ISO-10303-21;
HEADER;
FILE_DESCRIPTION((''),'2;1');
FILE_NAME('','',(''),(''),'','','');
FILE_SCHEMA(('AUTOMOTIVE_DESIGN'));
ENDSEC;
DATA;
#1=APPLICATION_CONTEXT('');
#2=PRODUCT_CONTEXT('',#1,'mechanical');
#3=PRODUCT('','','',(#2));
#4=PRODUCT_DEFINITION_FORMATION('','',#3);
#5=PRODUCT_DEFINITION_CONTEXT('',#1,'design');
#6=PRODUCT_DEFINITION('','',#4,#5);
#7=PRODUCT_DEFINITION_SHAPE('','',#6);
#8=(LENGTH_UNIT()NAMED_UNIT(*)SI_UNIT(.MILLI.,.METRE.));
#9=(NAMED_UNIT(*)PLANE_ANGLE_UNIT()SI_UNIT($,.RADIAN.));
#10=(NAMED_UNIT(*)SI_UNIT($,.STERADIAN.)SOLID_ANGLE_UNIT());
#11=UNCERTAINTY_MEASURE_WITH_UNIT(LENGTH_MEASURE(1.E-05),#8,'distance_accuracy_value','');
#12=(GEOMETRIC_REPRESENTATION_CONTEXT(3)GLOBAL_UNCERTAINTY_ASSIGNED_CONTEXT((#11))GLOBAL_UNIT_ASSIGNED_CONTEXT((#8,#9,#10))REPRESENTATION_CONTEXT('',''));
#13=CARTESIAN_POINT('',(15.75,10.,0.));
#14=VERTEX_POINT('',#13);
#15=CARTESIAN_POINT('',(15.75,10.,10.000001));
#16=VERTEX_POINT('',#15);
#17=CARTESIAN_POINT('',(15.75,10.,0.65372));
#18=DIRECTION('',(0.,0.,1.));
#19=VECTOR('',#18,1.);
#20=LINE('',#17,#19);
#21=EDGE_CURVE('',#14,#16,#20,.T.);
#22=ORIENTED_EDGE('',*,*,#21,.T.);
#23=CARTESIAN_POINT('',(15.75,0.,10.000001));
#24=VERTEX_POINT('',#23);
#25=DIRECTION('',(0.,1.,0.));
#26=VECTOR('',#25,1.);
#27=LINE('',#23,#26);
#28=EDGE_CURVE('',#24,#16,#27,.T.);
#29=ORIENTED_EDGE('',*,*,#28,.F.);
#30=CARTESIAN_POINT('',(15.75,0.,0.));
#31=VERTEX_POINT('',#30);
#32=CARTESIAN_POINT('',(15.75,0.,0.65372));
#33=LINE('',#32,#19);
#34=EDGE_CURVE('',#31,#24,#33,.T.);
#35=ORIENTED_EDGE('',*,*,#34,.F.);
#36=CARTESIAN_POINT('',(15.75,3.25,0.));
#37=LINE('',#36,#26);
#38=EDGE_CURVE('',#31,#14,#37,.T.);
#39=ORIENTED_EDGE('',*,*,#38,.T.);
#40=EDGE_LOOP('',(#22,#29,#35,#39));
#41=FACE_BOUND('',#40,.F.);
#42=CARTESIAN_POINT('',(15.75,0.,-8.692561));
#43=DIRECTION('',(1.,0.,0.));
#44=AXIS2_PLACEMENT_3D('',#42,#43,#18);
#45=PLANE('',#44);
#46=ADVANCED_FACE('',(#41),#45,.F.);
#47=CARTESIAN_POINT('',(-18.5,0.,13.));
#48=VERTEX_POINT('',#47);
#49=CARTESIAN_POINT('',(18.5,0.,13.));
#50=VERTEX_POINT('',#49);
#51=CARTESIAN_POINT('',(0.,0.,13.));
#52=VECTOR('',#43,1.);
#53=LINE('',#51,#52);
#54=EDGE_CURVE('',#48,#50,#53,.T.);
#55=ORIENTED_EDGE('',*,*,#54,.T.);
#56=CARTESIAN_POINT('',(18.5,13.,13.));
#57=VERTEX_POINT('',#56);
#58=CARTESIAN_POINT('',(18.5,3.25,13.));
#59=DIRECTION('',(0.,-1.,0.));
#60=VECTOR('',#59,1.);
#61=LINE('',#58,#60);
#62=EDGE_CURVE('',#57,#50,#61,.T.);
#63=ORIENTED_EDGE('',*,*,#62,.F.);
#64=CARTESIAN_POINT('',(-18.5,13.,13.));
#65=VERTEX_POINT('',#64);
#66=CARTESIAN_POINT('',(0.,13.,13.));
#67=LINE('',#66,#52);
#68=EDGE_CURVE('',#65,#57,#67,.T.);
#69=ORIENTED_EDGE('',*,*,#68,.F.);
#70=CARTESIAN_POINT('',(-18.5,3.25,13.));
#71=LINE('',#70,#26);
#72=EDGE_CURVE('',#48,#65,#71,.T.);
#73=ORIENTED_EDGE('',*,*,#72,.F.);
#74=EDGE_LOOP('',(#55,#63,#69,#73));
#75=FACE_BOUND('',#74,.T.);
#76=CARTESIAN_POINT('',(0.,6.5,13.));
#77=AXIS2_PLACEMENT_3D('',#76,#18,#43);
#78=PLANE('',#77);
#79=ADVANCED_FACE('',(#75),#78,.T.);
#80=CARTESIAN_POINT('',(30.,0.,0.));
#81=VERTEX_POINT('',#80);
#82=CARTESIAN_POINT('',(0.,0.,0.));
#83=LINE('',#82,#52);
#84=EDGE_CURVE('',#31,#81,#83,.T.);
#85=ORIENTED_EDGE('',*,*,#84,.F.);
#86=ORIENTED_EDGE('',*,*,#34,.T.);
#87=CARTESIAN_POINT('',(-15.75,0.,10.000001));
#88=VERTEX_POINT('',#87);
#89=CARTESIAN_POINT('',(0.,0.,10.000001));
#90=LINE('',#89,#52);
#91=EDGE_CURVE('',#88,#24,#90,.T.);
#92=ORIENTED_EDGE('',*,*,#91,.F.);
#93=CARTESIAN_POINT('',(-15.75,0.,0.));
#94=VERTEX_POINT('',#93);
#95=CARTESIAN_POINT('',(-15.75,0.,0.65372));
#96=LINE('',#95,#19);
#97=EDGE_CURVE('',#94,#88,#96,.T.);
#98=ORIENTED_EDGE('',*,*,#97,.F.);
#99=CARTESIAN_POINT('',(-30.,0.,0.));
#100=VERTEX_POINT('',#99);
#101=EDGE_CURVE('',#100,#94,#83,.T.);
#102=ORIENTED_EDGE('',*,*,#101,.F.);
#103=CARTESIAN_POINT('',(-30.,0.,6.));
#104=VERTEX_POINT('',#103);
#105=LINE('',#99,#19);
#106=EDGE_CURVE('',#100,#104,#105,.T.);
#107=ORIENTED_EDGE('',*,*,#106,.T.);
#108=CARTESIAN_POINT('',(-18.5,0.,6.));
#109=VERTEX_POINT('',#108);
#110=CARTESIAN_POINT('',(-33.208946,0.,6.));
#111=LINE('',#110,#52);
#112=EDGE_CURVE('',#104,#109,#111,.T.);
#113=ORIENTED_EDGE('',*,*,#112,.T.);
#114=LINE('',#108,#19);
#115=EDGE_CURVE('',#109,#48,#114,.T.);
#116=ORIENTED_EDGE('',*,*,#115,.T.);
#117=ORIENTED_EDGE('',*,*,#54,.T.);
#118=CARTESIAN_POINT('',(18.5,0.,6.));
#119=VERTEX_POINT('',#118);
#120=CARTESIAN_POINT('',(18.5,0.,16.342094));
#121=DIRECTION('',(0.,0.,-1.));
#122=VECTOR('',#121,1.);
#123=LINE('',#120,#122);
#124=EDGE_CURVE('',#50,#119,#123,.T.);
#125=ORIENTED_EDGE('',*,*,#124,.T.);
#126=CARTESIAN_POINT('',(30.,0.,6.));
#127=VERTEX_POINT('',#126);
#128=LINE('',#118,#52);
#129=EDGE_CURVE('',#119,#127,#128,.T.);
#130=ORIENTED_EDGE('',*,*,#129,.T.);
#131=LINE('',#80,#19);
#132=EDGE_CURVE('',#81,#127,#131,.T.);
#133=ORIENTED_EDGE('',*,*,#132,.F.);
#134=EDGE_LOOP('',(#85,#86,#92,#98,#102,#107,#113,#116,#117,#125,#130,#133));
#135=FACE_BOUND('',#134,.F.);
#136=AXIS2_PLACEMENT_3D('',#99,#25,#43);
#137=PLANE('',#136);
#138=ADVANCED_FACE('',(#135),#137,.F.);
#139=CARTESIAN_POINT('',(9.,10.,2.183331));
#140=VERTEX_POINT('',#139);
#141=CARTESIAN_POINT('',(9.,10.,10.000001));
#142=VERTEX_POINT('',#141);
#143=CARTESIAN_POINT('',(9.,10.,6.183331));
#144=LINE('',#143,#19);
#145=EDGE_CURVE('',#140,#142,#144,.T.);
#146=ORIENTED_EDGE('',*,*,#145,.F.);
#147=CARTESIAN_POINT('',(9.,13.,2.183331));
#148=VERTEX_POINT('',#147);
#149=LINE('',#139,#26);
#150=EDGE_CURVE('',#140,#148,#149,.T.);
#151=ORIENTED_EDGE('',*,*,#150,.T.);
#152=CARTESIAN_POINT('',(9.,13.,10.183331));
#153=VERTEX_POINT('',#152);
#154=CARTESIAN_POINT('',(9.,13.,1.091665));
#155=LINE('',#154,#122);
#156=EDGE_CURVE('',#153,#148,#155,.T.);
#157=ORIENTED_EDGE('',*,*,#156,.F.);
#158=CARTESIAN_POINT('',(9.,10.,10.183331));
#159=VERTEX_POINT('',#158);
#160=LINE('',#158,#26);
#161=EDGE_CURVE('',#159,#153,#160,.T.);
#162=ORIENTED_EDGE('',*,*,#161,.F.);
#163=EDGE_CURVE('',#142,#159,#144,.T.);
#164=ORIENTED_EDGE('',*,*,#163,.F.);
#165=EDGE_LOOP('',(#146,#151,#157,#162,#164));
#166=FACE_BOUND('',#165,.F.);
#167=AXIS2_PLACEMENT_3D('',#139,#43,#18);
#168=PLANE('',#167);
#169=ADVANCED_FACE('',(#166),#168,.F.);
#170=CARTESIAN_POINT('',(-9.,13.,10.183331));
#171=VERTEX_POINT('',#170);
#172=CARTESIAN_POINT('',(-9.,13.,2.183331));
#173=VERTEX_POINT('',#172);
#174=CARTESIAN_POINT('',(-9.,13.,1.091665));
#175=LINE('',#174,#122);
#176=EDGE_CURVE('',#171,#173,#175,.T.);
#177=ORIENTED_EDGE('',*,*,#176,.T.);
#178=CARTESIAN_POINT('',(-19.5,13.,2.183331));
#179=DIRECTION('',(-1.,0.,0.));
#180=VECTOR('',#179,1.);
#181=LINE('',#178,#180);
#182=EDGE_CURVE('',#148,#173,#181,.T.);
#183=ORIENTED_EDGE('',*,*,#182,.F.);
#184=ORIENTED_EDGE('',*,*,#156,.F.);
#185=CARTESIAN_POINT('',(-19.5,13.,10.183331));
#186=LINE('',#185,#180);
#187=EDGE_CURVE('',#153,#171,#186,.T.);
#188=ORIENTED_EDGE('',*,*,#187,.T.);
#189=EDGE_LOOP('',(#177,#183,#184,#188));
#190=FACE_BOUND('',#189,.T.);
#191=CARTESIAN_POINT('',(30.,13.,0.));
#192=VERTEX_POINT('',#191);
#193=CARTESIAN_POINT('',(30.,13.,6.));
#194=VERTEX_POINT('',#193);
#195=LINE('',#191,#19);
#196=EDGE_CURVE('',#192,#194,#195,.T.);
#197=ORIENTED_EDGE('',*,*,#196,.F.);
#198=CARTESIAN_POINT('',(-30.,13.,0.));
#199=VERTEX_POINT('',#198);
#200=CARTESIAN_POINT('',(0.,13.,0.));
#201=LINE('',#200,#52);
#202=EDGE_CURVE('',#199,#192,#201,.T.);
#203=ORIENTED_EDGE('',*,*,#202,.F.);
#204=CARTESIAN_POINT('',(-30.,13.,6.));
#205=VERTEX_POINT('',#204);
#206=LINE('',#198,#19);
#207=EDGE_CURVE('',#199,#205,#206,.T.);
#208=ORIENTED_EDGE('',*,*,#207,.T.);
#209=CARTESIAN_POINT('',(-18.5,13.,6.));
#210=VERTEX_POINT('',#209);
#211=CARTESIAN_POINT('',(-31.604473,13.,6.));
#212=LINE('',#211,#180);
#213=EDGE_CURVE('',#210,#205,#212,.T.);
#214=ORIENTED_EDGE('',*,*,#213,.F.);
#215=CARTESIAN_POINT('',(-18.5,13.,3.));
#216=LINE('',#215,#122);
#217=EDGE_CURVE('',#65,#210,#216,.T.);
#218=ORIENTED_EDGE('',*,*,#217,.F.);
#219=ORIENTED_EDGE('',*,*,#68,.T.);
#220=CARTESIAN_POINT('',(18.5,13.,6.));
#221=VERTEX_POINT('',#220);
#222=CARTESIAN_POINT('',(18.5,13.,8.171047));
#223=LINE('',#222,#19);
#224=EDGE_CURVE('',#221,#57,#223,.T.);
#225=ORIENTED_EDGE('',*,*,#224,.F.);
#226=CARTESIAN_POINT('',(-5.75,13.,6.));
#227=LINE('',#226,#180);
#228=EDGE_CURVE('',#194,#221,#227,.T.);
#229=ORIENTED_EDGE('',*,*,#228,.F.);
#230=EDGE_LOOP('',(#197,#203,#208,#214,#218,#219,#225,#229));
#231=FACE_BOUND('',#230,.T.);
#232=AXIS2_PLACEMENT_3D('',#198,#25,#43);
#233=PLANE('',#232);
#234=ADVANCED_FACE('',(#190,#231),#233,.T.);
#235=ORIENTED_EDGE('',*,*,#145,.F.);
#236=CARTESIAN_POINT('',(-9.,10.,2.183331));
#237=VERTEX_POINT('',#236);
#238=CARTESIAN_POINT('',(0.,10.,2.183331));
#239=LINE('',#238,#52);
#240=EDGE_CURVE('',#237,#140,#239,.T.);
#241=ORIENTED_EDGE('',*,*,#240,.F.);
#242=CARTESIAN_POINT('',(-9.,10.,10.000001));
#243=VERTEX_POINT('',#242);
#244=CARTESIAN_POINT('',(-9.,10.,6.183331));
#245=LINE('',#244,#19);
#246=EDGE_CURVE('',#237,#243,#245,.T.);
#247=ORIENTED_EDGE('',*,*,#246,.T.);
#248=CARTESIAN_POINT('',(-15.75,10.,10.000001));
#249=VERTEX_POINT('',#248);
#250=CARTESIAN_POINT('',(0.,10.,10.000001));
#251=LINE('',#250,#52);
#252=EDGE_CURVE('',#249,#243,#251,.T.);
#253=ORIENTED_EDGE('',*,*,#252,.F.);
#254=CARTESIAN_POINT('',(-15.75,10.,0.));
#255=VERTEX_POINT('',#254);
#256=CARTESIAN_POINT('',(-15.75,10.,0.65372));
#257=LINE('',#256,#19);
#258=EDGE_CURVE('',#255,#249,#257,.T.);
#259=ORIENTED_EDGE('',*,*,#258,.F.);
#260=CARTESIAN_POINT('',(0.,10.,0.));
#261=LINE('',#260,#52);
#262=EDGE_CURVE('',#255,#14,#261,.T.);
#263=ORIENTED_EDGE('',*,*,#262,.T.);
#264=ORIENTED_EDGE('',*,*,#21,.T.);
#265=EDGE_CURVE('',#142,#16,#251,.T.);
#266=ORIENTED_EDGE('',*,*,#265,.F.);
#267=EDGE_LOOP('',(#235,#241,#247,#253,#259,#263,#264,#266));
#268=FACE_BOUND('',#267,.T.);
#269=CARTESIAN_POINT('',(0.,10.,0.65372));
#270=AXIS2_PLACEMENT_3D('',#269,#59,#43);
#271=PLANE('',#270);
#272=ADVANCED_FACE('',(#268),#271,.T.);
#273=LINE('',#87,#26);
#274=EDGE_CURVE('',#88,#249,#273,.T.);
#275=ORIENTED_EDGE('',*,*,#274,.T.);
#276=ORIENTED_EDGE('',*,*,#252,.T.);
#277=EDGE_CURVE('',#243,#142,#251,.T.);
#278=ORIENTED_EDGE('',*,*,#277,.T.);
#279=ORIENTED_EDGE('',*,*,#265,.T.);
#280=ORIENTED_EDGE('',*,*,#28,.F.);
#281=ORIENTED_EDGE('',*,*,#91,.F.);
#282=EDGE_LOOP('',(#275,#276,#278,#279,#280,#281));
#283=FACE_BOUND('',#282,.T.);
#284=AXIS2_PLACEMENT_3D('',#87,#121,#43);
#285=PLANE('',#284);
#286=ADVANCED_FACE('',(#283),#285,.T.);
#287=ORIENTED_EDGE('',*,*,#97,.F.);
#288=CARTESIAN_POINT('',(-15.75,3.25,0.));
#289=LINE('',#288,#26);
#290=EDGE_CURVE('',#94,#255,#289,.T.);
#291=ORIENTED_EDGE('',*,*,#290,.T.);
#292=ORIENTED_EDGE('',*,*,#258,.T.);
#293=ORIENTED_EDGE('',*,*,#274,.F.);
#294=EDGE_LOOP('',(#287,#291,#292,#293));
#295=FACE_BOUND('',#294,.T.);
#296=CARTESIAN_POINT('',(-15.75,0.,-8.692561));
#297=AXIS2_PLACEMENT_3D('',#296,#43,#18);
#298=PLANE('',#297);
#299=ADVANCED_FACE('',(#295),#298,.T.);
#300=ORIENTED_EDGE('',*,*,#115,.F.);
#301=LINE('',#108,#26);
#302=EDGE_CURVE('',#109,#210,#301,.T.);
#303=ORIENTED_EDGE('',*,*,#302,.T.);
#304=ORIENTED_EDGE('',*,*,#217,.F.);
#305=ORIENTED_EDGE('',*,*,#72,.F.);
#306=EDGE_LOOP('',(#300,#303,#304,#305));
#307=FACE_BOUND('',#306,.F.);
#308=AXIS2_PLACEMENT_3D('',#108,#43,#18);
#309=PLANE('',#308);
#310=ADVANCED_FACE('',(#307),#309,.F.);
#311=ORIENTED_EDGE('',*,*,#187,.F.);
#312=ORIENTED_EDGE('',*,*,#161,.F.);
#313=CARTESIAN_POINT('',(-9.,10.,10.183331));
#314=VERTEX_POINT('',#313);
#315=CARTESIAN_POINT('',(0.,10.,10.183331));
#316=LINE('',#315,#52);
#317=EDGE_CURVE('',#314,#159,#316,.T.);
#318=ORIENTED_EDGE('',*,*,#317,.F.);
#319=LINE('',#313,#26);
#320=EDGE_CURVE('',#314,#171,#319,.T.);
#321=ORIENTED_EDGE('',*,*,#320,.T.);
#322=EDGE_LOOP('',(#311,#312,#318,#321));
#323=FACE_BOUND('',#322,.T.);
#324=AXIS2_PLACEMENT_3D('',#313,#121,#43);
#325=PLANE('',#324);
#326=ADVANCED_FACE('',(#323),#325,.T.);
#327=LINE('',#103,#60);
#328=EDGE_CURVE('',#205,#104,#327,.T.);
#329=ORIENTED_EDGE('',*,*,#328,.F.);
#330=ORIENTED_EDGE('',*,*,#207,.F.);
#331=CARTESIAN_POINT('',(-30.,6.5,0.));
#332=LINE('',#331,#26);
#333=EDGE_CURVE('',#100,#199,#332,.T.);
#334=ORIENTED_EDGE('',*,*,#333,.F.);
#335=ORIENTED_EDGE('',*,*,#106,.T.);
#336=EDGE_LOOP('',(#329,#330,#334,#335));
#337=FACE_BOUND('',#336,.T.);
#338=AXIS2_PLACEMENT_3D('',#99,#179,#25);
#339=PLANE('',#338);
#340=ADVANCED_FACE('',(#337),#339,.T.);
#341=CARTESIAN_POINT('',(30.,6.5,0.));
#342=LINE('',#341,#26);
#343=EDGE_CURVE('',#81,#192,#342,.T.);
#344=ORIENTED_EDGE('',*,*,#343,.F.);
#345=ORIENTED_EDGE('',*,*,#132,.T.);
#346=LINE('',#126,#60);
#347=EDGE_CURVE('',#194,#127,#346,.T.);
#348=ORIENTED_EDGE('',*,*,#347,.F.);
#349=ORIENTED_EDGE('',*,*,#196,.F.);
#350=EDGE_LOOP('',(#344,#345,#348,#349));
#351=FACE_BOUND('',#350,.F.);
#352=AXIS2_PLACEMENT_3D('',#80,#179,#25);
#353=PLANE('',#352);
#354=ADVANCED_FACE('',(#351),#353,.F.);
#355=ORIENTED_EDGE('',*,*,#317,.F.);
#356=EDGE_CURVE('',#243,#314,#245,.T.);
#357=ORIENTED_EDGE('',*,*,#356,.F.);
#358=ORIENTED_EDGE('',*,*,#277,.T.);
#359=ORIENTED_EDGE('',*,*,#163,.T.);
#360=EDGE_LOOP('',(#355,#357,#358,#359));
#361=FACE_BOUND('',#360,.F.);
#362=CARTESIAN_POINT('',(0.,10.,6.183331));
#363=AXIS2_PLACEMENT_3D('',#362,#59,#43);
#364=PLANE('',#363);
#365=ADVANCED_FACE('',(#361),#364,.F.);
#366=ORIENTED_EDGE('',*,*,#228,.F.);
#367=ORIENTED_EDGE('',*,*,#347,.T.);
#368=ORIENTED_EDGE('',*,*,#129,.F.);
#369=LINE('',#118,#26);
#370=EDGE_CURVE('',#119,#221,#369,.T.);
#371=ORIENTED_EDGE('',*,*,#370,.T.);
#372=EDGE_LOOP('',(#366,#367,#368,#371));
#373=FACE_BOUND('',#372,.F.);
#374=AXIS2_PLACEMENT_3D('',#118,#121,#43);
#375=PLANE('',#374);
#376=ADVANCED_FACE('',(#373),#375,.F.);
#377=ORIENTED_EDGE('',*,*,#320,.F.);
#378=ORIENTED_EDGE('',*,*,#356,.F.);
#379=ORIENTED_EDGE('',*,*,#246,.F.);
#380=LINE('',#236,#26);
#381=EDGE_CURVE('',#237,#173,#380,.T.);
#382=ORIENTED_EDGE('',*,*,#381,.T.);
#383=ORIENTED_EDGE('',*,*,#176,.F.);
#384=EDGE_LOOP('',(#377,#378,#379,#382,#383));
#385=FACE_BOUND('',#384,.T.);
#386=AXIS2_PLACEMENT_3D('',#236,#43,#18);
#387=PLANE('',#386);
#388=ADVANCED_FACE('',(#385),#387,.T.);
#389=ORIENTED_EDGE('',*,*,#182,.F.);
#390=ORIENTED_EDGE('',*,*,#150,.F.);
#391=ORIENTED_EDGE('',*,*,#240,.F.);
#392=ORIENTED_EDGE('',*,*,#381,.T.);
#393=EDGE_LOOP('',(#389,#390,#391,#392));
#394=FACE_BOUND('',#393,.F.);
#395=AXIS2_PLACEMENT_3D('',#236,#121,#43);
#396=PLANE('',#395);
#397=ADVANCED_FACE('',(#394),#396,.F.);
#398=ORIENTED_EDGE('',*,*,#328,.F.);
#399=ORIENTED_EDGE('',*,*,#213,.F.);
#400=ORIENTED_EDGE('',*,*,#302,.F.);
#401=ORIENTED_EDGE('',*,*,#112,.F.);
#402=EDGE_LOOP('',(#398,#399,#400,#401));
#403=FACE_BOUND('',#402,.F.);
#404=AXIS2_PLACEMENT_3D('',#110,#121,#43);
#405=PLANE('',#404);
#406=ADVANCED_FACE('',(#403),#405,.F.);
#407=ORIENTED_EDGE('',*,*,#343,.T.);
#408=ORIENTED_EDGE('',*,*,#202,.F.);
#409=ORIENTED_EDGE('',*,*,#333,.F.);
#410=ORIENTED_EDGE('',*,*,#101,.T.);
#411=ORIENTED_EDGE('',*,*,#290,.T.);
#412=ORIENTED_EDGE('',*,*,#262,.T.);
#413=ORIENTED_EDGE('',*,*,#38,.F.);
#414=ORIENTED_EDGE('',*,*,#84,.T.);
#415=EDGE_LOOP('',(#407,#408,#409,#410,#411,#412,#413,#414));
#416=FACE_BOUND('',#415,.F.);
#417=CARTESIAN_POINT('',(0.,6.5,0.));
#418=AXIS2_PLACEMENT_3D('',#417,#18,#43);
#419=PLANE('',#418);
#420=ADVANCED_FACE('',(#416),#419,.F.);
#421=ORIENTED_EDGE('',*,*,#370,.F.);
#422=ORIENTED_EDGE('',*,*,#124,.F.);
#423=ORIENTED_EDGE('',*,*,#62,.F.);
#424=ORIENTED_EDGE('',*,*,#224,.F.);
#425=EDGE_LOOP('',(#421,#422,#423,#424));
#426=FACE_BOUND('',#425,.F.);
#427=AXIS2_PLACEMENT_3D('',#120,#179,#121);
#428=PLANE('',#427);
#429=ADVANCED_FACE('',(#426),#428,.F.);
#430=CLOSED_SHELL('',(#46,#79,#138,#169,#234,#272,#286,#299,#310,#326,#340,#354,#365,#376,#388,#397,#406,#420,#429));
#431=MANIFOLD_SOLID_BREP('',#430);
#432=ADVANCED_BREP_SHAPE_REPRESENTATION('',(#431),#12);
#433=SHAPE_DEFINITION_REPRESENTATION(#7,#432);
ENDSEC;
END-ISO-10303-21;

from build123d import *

# Parameters (mm, degrees)
SKETCH_W        = 60
SKETCH_H        = 13
PAD_DEPTH       = 13
POCKET_DEPTH    = 16
SKETCH002_W     = 31.5
SKETCH002_H     = 18.692561
POCKET001_DEPTH = 10
SKETCH003_W     = 18
SKETCH003_H     = 8
POCKET002_DEPTH = 5


with BuildPart() as part:
    # Sketch → Pad (new body)
    with BuildSketch(Plane.XY):
        with Locations((0, 6.5)):
            Rectangle(SKETCH_W, SKETCH_H)
    extrude(amount=PAD_DEPTH)

    # Sketch001 (on Face3 of Pad) → Pocket (cut)
    with BuildSketch(Plane.XZ):
        Polygon((-33.208946, 6), (-18.5, 6), (-18.5, 16.342094), (18.5, 16.342094), (18.5, 6), (35.755672, 6), (31.923449, 22.090439), (-34.230431, 22.090439), align=None)
    extrude(amount=-POCKET_DEPTH, mode=Mode.SUBTRACT)

    # Sketch002 (on Face10 of Pocket) → Pocket001 (cut)
    with BuildSketch(Plane.XZ):
        with Locations((0, 0.65372)):
            Rectangle(SKETCH002_W, SKETCH002_H)
    extrude(amount=-POCKET001_DEPTH, mode=Mode.SUBTRACT)

    # Sketch003 (on Face12 of Pocket001) → Pocket002 (cut)
    with BuildSketch(Plane.XZ.offset(-10)):
        with Locations((0, 6.183331)):
            Rectangle(SKETCH003_W, SKETCH003_H)
    extrude(amount=-POCKET002_DEPTH, mode=Mode.SUBTRACT)


solid = part.part
